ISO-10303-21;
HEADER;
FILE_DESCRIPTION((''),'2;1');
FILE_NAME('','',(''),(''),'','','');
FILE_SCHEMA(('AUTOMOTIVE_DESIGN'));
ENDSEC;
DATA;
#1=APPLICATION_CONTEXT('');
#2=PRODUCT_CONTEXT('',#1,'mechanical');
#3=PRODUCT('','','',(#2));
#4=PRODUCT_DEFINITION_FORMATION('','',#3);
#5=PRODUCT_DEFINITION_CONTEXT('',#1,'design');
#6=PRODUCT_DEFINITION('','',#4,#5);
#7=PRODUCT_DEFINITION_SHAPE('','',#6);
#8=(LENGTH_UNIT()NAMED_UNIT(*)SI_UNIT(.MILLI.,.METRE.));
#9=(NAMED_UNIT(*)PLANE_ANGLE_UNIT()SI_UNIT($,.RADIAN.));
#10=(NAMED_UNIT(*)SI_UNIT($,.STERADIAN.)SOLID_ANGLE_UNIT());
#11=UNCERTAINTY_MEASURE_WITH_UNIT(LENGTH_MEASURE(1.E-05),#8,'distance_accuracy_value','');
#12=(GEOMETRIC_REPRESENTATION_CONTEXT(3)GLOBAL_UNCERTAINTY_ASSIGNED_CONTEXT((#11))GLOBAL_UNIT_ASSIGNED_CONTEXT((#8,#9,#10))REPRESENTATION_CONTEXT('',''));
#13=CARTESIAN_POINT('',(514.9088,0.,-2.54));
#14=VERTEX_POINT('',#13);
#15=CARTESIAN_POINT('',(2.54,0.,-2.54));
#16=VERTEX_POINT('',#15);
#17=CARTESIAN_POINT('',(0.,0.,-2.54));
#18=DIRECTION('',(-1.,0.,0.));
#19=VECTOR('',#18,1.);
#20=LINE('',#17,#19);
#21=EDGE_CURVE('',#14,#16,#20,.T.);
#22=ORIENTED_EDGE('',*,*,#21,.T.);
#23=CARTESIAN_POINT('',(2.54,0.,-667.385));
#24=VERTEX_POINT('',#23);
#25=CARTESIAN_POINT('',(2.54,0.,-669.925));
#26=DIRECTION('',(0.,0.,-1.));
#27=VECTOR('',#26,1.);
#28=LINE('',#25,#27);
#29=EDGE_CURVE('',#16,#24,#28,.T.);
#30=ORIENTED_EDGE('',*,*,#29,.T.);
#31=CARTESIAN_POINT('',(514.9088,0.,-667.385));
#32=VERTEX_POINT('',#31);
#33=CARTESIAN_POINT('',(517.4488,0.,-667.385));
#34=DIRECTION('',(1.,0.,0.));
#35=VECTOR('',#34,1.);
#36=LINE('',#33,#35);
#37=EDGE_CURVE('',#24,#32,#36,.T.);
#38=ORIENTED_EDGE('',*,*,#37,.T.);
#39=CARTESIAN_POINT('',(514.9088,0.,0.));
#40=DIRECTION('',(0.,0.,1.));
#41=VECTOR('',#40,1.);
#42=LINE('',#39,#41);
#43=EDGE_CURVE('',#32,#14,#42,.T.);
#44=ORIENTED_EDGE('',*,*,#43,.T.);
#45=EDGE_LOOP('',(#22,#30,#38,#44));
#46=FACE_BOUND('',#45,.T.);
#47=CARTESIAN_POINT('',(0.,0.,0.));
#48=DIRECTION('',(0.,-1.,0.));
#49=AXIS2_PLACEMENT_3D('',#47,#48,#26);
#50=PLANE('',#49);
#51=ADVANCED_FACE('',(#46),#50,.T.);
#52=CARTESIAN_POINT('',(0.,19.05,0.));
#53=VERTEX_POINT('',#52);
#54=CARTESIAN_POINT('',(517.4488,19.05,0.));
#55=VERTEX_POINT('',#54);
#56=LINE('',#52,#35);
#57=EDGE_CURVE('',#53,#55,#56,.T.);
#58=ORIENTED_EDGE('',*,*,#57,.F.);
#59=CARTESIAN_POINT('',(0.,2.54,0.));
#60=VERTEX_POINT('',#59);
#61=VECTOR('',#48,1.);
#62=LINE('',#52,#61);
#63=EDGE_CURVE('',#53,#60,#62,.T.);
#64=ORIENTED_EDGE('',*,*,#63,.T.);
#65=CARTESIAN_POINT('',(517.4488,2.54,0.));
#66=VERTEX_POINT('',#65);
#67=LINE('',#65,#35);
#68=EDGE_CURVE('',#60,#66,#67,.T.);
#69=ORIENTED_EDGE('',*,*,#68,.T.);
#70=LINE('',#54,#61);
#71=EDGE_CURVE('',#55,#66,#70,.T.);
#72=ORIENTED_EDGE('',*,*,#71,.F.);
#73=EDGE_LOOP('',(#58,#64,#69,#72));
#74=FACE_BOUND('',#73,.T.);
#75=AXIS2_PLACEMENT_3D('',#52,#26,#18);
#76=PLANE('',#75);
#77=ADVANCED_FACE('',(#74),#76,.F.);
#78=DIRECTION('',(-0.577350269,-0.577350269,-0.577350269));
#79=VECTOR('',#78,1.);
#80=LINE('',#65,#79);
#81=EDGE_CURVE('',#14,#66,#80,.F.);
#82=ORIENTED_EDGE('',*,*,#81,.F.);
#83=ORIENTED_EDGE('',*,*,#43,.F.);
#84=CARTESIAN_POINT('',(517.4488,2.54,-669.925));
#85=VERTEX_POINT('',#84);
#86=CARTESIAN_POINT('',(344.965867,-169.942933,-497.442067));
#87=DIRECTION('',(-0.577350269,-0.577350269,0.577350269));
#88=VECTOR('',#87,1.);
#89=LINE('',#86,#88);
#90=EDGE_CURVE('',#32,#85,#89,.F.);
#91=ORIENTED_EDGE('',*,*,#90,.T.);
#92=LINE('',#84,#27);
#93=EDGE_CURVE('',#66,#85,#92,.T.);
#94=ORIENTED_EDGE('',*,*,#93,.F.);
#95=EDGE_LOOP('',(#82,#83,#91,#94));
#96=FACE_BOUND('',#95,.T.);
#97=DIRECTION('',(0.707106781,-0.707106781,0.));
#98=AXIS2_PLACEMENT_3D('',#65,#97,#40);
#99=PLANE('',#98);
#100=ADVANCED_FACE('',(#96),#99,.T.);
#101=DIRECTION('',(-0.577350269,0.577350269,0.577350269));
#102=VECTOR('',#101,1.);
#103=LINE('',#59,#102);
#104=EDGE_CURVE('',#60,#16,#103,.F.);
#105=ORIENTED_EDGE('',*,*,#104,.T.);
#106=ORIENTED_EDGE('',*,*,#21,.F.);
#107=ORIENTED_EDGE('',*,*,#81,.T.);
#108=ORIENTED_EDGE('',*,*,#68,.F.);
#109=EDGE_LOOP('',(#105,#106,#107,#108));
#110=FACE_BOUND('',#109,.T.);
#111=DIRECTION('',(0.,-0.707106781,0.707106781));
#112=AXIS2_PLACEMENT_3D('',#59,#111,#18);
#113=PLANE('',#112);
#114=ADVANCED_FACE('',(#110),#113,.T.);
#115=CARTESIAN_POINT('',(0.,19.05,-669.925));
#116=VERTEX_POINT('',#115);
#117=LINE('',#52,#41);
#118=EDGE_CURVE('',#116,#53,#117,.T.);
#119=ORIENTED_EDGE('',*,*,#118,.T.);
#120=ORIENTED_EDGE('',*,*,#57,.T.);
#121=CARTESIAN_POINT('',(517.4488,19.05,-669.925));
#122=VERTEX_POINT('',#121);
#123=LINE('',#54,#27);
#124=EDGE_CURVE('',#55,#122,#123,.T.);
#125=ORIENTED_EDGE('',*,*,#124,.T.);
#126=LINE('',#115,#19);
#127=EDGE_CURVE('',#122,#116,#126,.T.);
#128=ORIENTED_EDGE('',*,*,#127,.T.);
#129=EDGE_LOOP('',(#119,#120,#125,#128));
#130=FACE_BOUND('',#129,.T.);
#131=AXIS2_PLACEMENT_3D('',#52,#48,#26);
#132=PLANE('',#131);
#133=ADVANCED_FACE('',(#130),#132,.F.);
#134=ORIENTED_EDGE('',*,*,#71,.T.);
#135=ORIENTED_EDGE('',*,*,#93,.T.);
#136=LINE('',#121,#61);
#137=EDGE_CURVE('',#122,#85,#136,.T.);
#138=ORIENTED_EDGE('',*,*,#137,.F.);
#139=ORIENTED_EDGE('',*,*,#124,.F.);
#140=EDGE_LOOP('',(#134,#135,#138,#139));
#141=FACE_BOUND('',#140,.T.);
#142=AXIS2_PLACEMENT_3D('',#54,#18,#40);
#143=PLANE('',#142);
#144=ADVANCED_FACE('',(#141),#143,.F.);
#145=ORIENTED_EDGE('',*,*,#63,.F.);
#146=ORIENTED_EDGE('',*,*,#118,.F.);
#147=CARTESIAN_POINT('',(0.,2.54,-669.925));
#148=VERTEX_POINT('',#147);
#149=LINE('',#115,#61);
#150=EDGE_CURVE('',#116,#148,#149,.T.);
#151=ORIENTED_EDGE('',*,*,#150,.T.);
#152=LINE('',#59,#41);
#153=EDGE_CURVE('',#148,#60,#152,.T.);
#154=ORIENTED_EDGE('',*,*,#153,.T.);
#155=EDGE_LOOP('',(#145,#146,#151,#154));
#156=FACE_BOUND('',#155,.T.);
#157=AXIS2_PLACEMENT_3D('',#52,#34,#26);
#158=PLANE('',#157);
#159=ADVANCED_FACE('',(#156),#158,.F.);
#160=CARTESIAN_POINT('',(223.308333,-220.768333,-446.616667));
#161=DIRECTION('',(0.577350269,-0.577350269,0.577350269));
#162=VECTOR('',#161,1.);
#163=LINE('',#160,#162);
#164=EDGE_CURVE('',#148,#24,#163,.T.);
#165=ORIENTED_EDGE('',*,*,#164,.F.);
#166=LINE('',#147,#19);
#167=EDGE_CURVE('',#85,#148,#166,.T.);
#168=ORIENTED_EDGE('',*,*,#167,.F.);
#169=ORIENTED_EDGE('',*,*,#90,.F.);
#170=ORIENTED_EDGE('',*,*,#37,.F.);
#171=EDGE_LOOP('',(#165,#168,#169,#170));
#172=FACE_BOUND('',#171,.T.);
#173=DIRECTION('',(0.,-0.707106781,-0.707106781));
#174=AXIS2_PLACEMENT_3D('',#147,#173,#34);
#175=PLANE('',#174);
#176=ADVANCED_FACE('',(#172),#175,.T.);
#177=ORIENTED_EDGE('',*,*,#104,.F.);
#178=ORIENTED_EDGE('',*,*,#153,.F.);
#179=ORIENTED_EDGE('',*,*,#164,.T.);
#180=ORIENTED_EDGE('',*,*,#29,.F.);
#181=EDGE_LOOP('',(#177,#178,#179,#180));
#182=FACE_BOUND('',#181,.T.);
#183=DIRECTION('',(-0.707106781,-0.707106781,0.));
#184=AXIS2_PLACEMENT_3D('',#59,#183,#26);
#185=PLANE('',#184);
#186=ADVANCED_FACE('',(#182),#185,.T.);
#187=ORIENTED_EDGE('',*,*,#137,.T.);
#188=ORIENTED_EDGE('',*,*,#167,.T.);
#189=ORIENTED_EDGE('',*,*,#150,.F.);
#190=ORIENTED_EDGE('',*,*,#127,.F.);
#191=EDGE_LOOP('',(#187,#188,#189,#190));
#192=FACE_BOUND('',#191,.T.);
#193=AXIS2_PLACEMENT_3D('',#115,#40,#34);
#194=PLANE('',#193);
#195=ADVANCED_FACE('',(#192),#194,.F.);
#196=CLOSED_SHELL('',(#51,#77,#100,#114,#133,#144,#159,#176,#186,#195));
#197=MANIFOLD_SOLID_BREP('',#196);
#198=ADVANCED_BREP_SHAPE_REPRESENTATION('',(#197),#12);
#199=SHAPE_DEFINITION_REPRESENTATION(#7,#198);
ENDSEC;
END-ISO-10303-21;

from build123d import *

# Parameters (mm, degrees)
SKETCH1_W           = 517.4488
SKETCH1_H           = 669.925
BOSS_EXTRUDE1_DEPTH = 19.05
CHAMFER1_SIZE       = 2.54


with BuildPart() as part:
    # Sketch1 → Boss-Extrude1 (new body)
    with BuildSketch(Plane(origin=(0, 0, 0), x_dir=(1, 0, 0), z_dir=(0, 1, 0))):
        with Locations((258.7244, 334.9625)):
            Rectangle(SKETCH1_W, SKETCH1_H)
    extrude(amount=BOSS_EXTRUDE1_DEPTH)

    # Chamfer1
    chamfer1_edges = [part.edges().sort_by_distance(p)[0] for p in [
        (258.7244, 0, -669.925),
        (517.4488, 0, -334.9625),
        (258.7244, 0, 0),
        (0, 0, -334.9625),
    ]]
    chamfer(chamfer1_edges, length=CHAMFER1_SIZE)


solid = part.part
